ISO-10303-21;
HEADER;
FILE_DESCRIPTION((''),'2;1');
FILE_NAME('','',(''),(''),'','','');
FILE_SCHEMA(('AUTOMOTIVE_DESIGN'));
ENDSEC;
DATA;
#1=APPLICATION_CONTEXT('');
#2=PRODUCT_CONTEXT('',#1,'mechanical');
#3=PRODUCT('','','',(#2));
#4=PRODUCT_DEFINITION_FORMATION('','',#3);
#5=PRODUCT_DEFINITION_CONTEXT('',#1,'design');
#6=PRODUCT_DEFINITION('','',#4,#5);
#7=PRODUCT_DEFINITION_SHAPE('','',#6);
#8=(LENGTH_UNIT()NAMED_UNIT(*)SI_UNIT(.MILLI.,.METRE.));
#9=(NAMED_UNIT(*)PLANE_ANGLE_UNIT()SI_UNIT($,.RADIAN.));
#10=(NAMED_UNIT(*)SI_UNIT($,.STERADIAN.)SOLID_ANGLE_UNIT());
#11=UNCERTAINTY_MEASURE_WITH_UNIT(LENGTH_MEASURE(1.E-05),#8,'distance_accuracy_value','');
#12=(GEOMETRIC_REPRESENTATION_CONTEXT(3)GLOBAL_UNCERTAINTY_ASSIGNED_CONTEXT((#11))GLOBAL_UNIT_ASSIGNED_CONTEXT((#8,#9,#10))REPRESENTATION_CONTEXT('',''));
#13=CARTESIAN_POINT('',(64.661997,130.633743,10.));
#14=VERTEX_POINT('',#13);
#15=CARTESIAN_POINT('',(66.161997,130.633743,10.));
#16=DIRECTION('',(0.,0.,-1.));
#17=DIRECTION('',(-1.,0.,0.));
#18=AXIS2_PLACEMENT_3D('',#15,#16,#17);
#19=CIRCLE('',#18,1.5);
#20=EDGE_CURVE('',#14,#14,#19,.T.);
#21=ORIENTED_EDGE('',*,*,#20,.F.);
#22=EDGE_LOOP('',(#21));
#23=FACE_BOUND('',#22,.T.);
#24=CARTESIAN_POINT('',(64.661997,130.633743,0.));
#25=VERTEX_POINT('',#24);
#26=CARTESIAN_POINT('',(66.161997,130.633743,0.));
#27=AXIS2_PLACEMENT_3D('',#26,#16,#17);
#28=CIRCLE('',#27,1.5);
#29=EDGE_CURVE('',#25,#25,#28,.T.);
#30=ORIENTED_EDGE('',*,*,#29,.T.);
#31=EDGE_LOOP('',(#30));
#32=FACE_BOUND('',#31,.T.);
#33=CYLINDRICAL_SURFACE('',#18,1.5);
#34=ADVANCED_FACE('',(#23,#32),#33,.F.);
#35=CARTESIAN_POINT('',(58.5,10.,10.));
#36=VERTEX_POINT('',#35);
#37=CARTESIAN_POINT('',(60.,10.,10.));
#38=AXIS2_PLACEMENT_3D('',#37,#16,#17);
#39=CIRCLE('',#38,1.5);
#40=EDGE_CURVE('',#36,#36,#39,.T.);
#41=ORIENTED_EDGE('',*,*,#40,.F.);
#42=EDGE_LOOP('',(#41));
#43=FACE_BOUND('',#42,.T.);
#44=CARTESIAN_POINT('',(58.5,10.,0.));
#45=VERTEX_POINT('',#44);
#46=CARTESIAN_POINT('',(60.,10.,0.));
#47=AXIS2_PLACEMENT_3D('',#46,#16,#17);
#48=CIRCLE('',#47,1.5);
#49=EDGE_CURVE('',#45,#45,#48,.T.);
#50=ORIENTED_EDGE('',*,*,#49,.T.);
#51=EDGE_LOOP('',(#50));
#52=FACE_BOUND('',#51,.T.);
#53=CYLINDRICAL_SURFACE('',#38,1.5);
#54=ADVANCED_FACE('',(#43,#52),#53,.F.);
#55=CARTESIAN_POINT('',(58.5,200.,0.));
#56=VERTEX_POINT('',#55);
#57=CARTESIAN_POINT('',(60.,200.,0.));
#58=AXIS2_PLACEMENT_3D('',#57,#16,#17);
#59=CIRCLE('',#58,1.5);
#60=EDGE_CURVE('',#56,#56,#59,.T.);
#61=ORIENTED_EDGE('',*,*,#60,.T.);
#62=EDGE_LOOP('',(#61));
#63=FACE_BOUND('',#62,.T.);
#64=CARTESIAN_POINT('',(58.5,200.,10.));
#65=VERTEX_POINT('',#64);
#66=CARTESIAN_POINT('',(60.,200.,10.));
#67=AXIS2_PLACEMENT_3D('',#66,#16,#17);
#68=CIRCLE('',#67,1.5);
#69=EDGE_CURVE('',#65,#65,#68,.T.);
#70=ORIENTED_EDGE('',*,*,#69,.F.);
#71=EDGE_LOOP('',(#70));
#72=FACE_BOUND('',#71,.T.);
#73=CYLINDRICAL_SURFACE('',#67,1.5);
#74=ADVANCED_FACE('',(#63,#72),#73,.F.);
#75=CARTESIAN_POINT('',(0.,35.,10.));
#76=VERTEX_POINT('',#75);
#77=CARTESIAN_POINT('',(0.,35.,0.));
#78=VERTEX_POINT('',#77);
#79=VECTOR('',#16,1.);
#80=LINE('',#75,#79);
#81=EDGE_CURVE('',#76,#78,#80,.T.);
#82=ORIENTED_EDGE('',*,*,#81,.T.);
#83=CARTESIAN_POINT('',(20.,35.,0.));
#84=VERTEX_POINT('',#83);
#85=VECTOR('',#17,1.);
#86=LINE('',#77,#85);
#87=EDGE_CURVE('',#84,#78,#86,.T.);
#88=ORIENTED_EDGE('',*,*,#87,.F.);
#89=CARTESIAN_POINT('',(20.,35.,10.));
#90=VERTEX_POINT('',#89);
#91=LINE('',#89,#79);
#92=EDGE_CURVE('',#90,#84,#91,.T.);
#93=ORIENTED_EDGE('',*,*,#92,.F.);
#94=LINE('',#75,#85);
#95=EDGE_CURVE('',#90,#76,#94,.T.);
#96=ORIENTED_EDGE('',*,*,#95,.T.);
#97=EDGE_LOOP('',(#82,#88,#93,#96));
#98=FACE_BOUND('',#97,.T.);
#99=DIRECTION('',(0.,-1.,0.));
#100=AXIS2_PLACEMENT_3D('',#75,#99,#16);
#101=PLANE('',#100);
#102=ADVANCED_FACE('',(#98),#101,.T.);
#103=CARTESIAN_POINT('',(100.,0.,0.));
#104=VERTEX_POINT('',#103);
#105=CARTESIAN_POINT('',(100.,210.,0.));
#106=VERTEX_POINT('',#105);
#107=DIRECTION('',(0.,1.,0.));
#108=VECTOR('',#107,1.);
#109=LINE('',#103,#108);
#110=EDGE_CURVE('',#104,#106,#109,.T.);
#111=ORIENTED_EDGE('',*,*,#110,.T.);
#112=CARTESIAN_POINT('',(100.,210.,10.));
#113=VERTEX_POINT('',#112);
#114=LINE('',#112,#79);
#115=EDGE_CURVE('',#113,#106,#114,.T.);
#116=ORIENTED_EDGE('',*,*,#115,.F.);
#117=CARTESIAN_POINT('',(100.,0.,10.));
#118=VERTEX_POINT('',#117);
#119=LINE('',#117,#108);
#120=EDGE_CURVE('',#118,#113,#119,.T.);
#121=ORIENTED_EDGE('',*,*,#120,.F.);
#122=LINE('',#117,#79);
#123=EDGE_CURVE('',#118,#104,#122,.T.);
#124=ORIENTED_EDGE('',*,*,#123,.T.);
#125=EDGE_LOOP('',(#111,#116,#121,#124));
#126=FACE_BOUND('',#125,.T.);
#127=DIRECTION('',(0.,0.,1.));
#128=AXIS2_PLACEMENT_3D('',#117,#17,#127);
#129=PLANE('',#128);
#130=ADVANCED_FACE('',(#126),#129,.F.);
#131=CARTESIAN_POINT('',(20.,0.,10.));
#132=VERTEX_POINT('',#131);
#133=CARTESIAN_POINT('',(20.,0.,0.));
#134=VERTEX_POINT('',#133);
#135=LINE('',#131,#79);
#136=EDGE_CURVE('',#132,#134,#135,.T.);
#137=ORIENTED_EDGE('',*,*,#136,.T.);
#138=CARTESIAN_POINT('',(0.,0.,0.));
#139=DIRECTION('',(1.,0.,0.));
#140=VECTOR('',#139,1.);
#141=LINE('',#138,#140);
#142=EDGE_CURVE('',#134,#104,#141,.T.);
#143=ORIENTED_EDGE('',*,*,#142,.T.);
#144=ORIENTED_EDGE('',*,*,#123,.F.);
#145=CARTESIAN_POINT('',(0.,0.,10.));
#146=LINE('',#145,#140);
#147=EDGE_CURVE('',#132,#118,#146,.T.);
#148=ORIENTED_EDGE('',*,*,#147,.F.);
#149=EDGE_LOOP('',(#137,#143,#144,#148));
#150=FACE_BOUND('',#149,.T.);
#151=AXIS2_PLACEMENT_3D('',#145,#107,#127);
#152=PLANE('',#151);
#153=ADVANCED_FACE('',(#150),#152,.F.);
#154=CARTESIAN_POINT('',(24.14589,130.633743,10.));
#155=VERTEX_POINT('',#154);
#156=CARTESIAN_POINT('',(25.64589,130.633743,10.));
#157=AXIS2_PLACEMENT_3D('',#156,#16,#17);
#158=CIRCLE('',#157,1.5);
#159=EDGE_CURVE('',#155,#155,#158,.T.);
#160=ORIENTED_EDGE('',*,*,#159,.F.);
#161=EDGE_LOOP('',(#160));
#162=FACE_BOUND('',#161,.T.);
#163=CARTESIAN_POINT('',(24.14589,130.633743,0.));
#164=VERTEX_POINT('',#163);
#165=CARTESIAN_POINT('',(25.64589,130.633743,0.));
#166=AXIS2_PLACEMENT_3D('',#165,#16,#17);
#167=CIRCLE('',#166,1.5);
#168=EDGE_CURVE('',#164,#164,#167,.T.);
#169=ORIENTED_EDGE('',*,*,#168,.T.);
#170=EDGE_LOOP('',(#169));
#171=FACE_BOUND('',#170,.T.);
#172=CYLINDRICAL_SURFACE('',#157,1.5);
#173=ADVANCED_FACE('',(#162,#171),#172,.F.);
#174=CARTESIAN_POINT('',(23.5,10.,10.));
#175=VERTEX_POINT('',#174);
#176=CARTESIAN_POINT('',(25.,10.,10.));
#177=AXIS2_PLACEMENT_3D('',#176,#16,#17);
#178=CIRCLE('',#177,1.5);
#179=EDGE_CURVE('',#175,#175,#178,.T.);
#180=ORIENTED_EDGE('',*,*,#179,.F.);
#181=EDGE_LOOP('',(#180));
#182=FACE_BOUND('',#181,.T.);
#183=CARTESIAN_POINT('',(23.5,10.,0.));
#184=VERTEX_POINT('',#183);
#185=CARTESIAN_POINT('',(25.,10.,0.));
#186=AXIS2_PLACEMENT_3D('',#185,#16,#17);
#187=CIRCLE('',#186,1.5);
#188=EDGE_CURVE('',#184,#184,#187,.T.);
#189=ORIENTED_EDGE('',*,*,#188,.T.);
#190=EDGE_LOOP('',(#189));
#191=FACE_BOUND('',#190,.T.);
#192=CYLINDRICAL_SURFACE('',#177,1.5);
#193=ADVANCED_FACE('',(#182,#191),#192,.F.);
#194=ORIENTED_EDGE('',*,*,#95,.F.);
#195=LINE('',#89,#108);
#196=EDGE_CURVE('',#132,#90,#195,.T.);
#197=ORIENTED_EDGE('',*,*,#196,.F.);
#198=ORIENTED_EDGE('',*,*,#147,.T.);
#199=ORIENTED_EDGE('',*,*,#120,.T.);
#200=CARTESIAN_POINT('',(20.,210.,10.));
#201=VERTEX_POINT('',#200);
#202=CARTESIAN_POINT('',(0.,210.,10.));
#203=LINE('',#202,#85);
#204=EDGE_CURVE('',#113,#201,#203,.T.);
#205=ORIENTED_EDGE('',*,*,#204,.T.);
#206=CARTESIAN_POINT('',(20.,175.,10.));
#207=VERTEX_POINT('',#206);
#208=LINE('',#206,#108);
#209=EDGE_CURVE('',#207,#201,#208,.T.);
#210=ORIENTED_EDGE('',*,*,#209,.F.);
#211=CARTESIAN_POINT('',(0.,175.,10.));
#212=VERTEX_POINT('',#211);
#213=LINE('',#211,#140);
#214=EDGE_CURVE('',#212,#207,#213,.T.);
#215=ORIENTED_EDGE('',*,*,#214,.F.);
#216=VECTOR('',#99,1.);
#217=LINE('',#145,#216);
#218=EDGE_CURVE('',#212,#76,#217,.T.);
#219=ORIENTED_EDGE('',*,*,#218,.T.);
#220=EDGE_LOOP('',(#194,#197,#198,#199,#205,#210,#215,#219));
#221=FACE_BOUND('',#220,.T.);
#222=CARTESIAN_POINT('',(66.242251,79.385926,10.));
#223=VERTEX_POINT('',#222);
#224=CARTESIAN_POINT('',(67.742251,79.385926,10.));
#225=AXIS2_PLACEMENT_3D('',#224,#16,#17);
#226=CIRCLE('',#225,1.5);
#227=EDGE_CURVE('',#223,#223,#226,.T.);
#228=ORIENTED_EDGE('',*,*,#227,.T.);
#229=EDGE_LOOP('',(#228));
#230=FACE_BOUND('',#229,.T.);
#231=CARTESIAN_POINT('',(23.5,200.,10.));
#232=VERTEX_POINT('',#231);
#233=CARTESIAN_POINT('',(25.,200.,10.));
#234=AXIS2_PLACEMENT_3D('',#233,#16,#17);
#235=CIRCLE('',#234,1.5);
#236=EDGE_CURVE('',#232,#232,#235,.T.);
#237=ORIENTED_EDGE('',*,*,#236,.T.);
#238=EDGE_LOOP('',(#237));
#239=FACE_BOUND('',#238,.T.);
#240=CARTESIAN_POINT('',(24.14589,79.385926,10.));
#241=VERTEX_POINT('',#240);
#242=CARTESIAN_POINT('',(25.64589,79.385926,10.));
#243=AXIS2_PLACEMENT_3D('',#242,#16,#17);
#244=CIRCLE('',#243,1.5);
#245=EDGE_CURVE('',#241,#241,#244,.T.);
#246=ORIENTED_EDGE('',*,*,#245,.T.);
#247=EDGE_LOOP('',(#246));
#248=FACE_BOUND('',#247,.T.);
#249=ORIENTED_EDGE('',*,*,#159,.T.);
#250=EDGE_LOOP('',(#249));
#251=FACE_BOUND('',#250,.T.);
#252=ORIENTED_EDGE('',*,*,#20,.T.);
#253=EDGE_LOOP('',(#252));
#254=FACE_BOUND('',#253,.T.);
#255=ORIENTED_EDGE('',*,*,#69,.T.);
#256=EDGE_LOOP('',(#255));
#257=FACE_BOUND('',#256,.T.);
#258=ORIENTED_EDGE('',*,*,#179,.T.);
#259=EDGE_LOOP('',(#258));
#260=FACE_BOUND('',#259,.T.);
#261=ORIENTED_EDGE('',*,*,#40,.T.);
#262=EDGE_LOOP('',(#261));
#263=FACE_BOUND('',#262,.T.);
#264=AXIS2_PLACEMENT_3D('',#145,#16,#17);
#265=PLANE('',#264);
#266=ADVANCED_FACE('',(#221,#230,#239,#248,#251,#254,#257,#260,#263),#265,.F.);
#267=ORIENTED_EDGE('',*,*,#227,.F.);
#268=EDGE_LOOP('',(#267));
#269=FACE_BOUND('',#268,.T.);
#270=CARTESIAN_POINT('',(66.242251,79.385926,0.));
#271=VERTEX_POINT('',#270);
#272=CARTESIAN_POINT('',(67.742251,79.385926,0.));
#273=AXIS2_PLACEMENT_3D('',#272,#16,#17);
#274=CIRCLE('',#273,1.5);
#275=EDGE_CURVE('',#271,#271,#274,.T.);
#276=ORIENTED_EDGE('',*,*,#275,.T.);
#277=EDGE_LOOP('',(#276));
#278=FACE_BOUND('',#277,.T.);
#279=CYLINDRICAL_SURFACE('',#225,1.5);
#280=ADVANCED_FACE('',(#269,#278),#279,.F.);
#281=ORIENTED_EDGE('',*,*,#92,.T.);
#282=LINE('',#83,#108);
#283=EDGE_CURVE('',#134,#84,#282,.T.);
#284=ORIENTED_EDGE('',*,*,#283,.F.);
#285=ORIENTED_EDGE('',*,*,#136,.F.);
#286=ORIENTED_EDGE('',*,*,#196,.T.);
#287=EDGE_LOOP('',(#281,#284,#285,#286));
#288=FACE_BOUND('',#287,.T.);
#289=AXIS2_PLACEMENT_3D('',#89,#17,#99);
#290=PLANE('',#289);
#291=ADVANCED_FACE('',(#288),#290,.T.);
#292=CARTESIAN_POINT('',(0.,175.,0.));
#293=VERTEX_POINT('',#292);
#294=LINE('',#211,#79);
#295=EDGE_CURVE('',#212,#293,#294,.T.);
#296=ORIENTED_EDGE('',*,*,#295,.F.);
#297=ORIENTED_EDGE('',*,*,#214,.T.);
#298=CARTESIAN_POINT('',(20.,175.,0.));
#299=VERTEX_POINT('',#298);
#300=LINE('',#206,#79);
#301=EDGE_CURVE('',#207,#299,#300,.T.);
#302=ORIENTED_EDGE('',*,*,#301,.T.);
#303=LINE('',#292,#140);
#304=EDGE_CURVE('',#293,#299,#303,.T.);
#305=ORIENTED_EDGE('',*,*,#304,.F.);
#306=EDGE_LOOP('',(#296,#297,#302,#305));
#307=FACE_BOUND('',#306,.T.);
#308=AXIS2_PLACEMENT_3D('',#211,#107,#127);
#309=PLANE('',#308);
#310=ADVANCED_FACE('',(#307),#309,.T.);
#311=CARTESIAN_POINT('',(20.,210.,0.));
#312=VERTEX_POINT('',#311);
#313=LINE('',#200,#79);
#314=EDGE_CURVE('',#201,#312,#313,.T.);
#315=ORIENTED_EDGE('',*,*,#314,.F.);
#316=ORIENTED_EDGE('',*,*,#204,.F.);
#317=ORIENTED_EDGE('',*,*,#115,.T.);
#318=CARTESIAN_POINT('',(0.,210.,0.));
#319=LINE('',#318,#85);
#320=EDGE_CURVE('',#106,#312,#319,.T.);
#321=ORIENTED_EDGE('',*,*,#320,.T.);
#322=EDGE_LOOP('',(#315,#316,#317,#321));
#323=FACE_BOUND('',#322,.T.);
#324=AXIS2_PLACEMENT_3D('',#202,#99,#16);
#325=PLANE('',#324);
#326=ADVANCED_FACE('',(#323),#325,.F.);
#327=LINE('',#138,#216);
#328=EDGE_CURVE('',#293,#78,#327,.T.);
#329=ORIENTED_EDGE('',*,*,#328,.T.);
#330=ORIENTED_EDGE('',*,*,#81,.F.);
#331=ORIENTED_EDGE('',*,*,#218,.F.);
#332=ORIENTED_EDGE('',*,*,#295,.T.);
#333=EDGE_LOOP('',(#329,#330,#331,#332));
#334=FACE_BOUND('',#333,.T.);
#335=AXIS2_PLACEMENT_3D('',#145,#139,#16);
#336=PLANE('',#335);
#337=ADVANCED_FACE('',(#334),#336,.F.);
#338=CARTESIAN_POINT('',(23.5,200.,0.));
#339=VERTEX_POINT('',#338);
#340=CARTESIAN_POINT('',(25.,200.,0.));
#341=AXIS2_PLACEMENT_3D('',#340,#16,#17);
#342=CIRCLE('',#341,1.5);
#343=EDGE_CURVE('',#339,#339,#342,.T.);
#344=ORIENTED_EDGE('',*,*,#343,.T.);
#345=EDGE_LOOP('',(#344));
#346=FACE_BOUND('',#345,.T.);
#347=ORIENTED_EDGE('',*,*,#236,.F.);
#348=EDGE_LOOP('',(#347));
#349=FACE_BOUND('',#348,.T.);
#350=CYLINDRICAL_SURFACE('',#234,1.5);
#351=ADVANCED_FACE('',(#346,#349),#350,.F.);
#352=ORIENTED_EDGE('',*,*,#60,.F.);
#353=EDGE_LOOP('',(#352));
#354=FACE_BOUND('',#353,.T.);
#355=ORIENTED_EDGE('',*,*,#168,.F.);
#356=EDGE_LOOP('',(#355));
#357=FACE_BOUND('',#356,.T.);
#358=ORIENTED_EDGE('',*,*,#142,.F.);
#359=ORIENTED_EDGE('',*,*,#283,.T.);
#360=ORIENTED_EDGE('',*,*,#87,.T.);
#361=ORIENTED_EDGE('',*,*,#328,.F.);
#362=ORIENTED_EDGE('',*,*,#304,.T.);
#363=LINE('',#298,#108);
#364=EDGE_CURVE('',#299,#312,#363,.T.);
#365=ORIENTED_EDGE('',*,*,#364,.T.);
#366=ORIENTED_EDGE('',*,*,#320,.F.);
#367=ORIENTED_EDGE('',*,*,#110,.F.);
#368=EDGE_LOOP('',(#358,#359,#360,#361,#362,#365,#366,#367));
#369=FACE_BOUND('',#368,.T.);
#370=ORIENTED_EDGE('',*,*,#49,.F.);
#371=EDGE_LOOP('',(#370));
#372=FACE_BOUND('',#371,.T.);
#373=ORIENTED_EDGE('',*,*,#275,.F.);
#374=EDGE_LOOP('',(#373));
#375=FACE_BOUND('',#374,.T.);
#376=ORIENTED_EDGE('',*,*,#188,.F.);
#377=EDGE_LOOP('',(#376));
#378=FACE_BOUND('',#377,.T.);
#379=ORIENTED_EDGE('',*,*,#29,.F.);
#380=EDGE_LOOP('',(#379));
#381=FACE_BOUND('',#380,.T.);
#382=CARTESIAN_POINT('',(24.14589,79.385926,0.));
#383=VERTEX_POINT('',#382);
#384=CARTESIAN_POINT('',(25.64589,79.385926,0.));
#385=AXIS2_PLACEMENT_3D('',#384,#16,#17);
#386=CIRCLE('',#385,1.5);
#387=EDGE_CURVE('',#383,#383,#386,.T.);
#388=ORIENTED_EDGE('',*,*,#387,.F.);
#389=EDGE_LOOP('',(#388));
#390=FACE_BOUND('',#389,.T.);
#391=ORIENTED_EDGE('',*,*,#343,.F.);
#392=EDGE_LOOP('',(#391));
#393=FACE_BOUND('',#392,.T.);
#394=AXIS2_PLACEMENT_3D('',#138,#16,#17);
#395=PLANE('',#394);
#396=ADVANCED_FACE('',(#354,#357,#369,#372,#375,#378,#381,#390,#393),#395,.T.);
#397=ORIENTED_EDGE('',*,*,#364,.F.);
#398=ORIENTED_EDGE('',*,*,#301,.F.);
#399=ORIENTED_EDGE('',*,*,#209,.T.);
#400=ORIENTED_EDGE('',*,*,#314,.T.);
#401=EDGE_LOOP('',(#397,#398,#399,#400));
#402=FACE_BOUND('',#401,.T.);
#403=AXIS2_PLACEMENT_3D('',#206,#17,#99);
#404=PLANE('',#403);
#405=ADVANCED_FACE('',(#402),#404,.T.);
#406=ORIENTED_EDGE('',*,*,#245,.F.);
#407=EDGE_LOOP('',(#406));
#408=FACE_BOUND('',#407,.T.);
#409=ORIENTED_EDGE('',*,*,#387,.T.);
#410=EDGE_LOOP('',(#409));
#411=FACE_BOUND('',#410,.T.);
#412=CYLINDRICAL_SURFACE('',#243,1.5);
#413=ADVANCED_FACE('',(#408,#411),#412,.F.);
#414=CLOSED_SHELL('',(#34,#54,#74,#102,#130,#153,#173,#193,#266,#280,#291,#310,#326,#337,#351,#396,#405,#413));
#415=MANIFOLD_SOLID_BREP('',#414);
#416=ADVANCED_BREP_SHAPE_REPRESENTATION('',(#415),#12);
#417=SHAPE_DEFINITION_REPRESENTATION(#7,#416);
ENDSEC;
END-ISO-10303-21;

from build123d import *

# Parameters (mm, degrees)
ESQUISSE2_W             = 100
ESQUISSE2_H             = 210
BOSS_EXTRU_1_DEPTH      = 10
ESQUISSE3_W             = 20
ESQUISSE3_H             = 35
ENL_V_MAT_EXTRU_1_DEPTH = 10
ESQUISSE4_R             = 1.5
ENL_V_MAT_EXTRU_2_DEPTH = 10
ESQUISSE6_R             = 1.5
ENL_V_MAT_EXTRU_3_DEPTH = 10


with BuildPart() as part:
    # Esquisse2 → Boss.-Extru.1 (new body)
    with BuildSketch(Plane.XY):
        with Locations((50, 105)):
            Rectangle(ESQUISSE2_W, ESQUISSE2_H)
    extrude(amount=BOSS_EXTRU_1_DEPTH)

    # Esquisse3 → Enlèv. mat.-Extru.1 (cut)
    with BuildSketch(Plane.XY):
        with Locations((10, 192.5)):
            Rectangle(ESQUISSE3_W, ESQUISSE3_H)
        with Locations((10, 17.5)):
            Rectangle(ESQUISSE3_W, ESQUISSE3_H)
    extrude(amount=ENL_V_MAT_EXTRU_1_DEPTH, mode=Mode.SUBTRACT)

    # Esquisse4 → Enlèv. mat.-Extru.2 (cut)
    with BuildSketch(Plane(origin=(0, 0, 0), x_dir=(-1, 0, 0), z_dir=(0, 0, -1))):
        with Locations((-25, 200)):
            Circle(ESQUISSE4_R)
        with Locations((-60, 200)):
            Circle(ESQUISSE4_R)
        with Locations((-25, 10)):
            Circle(ESQUISSE4_R)
        with Locations((-60, 10)):
            Circle(ESQUISSE4_R)
    extrude(amount=-ENL_V_MAT_EXTRU_2_DEPTH, mode=Mode.SUBTRACT)

    # Esquisse6 → Enlèv. mat.-Extru.3 (cut)
    with BuildSketch(Plane(origin=(0, 0, 0), x_dir=(-1, 0, 0), z_dir=(0, 0, -1))):
        with Locations((-25.645889501, 130.633743079)):
            Circle(ESQUISSE6_R)
        with Locations((-25.645889501, 79.385925673)):
            Circle(ESQUISSE6_R)
        with Locations((-67.742251285, 79.385925673)):
            Circle(ESQUISSE6_R)
        with Locations((-66.161997433, 130.633743079)):
            Circle(ESQUISSE6_R)
    extrude(amount=-ENL_V_MAT_EXTRU_3_DEPTH, mode=Mode.SUBTRACT)


solid = part.part
